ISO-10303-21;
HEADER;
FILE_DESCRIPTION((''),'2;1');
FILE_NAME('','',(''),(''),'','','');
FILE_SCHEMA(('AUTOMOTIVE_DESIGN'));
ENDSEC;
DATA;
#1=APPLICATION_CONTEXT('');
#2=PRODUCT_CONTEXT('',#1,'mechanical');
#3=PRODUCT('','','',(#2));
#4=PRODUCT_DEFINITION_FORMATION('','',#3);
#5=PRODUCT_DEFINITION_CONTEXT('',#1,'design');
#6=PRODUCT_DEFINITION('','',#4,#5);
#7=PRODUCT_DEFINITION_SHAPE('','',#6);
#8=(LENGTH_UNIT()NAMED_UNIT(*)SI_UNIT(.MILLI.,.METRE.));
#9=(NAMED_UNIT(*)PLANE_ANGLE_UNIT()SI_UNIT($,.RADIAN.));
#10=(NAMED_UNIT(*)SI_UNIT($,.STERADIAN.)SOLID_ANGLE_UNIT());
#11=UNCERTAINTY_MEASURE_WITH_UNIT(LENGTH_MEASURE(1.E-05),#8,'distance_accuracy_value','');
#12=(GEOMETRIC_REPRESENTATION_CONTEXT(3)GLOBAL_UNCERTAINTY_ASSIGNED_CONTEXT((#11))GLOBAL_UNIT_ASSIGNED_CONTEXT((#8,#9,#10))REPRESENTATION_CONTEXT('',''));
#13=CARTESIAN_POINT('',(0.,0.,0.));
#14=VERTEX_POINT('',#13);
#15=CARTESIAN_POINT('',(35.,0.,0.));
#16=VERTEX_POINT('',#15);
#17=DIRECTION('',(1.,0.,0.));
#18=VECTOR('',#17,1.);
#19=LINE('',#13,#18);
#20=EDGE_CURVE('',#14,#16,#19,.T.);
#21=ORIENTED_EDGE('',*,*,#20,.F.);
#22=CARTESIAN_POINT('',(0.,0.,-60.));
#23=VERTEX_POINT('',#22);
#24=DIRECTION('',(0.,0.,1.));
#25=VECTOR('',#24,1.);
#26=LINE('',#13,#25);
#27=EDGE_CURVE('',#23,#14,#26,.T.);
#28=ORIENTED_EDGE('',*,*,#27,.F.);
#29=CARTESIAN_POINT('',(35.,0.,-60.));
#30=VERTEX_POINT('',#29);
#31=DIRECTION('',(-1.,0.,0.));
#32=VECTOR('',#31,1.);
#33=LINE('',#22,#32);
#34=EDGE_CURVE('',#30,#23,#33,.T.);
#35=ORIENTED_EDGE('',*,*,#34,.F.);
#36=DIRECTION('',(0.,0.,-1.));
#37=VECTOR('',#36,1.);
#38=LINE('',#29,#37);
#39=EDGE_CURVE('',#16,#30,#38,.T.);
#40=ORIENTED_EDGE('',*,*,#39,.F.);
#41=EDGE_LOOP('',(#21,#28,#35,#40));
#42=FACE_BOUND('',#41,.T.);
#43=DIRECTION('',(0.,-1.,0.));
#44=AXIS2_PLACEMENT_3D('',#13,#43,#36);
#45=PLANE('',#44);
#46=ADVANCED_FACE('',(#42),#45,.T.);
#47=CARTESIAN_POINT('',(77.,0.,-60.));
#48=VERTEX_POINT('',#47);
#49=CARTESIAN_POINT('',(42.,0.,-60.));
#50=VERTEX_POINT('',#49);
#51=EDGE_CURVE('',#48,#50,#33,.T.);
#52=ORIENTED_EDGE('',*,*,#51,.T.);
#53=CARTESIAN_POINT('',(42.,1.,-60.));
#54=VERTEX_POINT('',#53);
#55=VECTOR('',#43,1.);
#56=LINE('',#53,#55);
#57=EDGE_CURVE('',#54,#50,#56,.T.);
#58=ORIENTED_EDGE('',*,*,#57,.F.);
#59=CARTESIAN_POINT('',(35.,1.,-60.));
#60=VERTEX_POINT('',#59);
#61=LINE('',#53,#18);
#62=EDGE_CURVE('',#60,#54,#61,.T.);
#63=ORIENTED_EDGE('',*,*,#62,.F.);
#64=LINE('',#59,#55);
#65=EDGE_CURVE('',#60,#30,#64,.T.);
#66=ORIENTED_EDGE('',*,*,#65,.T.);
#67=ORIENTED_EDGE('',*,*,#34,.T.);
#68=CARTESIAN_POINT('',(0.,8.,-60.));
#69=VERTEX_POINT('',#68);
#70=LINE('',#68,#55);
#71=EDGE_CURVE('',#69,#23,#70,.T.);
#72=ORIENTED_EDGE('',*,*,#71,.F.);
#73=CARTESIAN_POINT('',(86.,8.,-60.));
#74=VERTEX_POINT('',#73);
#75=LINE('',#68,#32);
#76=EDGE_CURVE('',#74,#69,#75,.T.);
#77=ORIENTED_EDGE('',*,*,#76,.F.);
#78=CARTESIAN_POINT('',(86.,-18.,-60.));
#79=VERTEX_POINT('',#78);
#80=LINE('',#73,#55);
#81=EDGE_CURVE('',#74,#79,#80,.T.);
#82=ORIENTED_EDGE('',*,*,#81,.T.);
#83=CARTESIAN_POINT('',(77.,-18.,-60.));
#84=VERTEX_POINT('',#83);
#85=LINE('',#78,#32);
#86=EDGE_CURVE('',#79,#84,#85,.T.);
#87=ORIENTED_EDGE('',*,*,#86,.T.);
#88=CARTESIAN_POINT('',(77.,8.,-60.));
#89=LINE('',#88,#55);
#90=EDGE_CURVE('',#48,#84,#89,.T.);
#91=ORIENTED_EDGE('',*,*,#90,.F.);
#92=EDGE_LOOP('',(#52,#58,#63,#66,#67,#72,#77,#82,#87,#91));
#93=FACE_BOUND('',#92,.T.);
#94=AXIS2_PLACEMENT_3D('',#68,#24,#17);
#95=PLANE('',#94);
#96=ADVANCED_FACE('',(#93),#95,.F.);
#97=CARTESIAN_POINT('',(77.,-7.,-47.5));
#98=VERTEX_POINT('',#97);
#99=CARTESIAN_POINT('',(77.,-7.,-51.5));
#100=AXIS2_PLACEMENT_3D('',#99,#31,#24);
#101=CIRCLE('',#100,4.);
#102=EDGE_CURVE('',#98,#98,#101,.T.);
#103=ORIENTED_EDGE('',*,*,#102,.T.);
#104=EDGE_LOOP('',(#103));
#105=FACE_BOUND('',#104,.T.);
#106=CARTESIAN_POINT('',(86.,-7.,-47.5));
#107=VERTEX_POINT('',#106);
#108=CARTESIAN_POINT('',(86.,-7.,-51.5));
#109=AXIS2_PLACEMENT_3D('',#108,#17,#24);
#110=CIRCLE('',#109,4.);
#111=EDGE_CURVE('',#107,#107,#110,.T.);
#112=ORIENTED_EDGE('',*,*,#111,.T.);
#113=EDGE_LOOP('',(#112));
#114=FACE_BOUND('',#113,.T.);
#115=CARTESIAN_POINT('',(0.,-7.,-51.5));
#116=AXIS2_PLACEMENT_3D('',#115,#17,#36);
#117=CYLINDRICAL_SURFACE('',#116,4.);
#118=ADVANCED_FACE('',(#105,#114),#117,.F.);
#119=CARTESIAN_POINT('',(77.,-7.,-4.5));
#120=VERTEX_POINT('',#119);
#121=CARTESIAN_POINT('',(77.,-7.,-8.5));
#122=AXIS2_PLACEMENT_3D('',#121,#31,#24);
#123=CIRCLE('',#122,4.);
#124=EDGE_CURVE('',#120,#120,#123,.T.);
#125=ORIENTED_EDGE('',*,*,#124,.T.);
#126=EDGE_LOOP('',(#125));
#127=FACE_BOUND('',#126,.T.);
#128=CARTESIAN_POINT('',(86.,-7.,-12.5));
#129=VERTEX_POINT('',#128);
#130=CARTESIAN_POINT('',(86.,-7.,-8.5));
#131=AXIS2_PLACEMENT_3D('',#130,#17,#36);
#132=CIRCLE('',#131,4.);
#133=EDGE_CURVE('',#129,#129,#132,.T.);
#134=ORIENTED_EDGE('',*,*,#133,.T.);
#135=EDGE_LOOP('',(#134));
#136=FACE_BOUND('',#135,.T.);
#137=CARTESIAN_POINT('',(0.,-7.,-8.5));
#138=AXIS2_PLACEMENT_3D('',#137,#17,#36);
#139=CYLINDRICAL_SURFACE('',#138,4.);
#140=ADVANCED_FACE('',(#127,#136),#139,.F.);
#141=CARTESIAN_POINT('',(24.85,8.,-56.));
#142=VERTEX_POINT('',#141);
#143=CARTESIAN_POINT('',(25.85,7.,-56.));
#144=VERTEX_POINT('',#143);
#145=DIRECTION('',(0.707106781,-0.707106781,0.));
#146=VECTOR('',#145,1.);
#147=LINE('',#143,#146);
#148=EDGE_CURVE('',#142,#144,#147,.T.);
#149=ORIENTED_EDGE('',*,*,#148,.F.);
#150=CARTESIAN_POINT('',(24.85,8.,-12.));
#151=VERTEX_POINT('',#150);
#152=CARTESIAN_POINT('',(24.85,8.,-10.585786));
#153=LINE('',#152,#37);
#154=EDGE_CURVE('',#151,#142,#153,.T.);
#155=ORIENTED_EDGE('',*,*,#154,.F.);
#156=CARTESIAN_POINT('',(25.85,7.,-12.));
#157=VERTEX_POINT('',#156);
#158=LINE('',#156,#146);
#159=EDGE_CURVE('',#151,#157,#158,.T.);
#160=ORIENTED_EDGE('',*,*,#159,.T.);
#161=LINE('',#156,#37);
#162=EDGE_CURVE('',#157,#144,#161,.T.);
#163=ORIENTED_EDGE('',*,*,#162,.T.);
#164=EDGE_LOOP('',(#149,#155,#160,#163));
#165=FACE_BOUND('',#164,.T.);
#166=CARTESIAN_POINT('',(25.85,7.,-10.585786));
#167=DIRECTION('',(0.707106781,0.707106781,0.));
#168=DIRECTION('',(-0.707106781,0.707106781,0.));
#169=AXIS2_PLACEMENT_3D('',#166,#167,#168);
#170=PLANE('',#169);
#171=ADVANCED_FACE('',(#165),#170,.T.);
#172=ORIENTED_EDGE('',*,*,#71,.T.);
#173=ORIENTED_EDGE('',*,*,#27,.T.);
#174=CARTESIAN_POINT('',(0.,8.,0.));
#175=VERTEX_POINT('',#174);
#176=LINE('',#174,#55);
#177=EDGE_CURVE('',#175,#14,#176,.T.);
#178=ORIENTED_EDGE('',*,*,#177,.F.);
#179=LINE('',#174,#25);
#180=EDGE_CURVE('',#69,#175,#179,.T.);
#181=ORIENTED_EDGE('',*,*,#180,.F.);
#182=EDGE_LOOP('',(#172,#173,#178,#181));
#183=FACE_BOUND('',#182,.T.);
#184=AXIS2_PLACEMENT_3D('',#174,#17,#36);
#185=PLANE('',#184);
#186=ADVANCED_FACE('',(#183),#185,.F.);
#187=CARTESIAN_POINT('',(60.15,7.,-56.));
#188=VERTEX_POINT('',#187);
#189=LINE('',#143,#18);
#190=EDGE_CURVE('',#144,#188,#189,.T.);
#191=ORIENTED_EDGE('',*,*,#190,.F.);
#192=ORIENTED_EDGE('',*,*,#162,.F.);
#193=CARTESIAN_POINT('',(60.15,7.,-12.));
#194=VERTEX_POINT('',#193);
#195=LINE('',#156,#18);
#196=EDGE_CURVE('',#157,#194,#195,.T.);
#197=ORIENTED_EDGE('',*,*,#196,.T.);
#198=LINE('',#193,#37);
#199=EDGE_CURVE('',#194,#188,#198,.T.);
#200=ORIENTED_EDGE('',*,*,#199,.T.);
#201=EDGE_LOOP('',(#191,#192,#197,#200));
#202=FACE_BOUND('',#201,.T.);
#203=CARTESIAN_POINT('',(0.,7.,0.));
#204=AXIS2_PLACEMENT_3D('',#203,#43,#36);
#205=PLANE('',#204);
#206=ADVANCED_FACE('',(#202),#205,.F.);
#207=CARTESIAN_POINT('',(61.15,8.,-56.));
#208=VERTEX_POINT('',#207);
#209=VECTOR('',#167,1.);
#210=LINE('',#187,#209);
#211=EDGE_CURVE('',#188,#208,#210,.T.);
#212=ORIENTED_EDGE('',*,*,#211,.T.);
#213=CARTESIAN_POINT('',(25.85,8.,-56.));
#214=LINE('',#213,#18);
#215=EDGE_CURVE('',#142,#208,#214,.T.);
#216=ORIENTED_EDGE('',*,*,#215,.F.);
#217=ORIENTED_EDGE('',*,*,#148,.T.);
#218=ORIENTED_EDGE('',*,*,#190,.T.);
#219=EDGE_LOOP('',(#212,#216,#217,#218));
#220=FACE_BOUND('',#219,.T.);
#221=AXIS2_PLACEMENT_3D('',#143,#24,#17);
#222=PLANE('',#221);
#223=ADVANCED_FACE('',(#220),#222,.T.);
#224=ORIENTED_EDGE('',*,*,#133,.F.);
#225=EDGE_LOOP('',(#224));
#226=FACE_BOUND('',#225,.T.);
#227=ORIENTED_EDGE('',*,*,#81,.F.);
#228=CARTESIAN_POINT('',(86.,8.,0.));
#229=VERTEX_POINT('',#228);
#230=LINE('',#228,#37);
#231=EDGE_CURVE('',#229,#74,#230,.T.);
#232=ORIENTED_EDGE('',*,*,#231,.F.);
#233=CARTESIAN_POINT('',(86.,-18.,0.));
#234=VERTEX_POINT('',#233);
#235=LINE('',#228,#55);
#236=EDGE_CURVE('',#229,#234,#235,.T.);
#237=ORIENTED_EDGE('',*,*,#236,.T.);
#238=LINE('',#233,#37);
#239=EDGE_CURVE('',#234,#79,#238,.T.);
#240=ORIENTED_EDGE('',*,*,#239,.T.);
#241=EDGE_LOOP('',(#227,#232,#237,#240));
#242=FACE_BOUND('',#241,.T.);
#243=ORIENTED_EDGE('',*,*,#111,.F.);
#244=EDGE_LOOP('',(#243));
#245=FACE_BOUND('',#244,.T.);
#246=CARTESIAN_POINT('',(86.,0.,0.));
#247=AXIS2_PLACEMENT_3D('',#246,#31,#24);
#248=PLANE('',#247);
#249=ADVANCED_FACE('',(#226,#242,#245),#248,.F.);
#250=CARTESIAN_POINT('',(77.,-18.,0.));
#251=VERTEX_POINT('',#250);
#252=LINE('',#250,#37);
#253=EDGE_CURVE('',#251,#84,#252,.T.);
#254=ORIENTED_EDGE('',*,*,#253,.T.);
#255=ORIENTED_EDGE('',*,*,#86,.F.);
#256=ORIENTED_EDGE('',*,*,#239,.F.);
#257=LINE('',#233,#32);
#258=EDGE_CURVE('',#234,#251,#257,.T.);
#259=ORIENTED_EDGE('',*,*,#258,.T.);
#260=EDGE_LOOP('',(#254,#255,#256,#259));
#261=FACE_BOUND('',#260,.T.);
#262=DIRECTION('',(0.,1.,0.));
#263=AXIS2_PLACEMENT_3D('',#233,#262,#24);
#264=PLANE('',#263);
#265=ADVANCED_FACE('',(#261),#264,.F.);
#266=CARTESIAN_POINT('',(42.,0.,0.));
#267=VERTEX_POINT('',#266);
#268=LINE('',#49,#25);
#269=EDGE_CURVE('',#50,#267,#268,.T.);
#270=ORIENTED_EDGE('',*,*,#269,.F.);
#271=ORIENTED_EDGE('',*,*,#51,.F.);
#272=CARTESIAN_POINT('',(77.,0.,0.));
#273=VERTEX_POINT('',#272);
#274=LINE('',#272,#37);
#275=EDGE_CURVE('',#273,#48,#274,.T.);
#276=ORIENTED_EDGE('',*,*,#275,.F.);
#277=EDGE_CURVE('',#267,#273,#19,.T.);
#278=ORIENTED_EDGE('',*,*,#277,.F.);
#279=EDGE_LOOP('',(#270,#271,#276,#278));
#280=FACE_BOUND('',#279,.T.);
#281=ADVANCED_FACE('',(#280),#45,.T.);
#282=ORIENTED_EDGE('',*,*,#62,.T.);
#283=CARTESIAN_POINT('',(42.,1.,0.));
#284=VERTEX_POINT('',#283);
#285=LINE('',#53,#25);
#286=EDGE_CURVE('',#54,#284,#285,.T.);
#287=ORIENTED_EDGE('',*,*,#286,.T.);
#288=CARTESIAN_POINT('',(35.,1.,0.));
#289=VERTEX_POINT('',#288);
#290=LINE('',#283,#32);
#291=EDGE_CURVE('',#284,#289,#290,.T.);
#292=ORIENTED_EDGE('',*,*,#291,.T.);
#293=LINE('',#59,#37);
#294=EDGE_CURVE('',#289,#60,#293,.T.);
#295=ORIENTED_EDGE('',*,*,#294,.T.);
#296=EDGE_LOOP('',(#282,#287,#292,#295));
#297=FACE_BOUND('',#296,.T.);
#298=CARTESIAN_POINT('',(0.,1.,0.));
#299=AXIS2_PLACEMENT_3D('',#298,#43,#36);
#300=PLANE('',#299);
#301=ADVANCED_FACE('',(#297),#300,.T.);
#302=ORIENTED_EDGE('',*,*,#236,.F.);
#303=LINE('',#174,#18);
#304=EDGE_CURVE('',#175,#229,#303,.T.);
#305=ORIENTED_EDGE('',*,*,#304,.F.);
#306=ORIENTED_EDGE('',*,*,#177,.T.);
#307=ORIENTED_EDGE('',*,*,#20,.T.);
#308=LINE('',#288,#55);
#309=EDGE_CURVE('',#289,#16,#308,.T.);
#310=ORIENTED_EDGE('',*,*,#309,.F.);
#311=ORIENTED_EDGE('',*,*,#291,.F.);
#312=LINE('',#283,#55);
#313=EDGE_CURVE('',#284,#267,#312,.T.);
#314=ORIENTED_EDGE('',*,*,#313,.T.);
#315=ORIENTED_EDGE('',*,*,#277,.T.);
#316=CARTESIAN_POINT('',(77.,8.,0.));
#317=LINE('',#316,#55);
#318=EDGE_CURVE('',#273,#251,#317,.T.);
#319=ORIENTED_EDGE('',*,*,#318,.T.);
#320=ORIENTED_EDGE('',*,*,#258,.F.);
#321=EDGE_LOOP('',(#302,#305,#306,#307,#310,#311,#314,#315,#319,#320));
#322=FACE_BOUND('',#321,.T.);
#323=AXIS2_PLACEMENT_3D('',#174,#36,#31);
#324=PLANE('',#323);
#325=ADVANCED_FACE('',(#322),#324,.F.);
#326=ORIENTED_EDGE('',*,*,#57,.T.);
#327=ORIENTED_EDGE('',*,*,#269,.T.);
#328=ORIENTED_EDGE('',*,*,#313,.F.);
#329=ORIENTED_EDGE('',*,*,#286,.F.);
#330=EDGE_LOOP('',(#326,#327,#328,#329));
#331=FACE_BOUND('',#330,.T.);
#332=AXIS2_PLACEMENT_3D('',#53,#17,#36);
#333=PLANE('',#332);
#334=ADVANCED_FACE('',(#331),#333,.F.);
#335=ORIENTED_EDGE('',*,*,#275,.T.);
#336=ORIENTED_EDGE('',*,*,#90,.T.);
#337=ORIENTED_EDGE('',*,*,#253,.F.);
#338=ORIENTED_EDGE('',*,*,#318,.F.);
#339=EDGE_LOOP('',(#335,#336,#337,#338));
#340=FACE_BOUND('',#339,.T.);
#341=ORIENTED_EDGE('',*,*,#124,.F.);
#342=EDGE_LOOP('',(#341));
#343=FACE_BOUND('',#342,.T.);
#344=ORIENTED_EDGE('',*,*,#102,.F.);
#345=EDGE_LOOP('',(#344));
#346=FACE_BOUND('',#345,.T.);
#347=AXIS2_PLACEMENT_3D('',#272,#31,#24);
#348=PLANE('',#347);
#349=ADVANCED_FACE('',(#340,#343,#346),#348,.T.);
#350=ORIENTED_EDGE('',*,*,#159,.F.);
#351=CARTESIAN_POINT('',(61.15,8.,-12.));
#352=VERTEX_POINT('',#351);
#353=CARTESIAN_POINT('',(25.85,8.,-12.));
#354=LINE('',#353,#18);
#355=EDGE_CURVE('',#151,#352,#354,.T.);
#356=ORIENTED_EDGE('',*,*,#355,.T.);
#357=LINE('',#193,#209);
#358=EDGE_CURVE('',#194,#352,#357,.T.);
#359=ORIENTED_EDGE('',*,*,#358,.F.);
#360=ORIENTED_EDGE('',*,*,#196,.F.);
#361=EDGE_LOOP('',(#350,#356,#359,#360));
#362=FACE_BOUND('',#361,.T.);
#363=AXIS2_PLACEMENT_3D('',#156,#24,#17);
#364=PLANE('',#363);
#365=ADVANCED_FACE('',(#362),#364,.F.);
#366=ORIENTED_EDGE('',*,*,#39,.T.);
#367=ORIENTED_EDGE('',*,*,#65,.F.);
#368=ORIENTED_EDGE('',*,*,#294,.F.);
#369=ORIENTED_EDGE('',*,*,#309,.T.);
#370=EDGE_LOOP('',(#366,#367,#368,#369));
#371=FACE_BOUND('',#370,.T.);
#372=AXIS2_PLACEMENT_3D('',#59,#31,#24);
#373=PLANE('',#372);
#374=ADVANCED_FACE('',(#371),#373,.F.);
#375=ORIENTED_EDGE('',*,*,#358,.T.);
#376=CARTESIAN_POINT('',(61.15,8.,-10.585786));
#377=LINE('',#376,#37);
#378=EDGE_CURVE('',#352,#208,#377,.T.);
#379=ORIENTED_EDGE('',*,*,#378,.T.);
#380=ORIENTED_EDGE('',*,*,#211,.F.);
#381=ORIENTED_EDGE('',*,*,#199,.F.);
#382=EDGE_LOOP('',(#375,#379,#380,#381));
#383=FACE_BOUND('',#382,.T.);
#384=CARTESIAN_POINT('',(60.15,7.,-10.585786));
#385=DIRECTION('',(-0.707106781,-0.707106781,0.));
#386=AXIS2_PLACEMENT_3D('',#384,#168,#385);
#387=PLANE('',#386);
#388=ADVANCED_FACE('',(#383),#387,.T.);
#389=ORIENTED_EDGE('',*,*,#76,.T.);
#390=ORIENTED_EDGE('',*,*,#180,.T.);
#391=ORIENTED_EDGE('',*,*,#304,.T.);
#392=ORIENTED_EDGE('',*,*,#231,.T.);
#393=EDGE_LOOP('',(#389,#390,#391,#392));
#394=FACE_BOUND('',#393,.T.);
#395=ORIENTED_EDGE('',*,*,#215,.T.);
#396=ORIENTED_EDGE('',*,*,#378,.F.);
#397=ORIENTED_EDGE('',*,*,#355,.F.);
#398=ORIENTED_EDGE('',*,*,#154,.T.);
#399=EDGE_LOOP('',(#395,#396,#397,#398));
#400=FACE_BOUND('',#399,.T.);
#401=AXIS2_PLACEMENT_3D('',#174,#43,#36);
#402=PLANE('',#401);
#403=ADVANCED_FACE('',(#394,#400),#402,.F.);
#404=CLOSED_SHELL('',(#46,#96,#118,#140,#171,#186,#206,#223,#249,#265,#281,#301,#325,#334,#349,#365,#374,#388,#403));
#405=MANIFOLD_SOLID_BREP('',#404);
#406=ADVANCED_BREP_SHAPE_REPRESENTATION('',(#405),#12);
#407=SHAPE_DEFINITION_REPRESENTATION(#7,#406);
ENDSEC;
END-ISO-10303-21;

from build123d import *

# Parameters (mm, degrees)
SKETCH1_W               = 77
SKETCH1_H               = 60
BOSS_EXTRUDE1_DEPTH     = 8
SKETCH3_W               = 60
SKETCH3_H               = 26
BOSS_EXTRUDE2_DEPTH     = 9
SKETCH4_R               = 4
CUT_EXTRUDE2_DEPTH      = 107.395488626
SKETCH5_W               = 34.3
SKETCH5_H               = 44
RECESS_DEPTH            = 1
ANGLES_IN_RECESS_DEPTH  = 44
SKETCH7_W               = 7
SKETCH7_H               = 60
WHERE_THE_BELT_GO_DEPTH = 1


with BuildPart() as part:
    # Sketch1 → Boss-Extrude1 (new body)
    with BuildSketch(Plane(origin=(0, 0, 0), x_dir=(1, 0, 0), z_dir=(0, 1, 0))):
        with Locations((38.5, 30)):
            Rectangle(SKETCH1_W, SKETCH1_H)
    extrude(amount=BOSS_EXTRUDE1_DEPTH)

    # Sketch3 → Boss-Extrude2 (add)
    with BuildSketch(Plane(origin=(77, 0, 0), x_dir=(0, 0, -1), z_dir=(1, 0, 0))):
        with Locations((30, -5)):
            Rectangle(SKETCH3_W, SKETCH3_H)
    extrude(amount=BOSS_EXTRUDE2_DEPTH)

    # Sketch4 → Cut-Extrude2 (cut, through all)
    with BuildSketch(Plane(origin=(86, 0, 0), x_dir=(0, 0, -1), z_dir=(1, 0, 0))):
        with Locations((8.5, -7)):
            Circle(SKETCH4_R)
        with Locations(Location((51.5, -7, 0), (0, 0, 180))):
            Circle(SKETCH4_R)
    extrude(amount=-CUT_EXTRUDE2_DEPTH, mode=Mode.SUBTRACT)

    # Sketch5 → recess (cut)
    with BuildSketch(Plane(origin=(0, 8, 0), x_dir=(1, 0, 0), z_dir=(0, 1, 0))):
        with Locations((43, 34)):
            Rectangle(SKETCH5_W, SKETCH5_H)
    extrude(amount=-RECESS_DEPTH, mode=Mode.SUBTRACT)

    # Sketch6 → Angles in recess (cut)
    with BuildSketch(Plane.XY.offset(-56)):
        Polygon((25.85, 7), (24.85, 8), (25.85, 8), align=None)
        Polygon((60.15, 8), (60.15, 7), (61.15, 8), align=None)
    extrude(amount=ANGLES_IN_RECESS_DEPTH, mode=Mode.SUBTRACT)

    # Sketch7 → where the belt go (cut)
    with BuildSketch(Plane.XZ):
        with Locations((38.5, -30)):
            Rectangle(SKETCH7_W, SKETCH7_H)
    extrude(amount=-WHERE_THE_BELT_GO_DEPTH, mode=Mode.SUBTRACT)


solid = part.part
